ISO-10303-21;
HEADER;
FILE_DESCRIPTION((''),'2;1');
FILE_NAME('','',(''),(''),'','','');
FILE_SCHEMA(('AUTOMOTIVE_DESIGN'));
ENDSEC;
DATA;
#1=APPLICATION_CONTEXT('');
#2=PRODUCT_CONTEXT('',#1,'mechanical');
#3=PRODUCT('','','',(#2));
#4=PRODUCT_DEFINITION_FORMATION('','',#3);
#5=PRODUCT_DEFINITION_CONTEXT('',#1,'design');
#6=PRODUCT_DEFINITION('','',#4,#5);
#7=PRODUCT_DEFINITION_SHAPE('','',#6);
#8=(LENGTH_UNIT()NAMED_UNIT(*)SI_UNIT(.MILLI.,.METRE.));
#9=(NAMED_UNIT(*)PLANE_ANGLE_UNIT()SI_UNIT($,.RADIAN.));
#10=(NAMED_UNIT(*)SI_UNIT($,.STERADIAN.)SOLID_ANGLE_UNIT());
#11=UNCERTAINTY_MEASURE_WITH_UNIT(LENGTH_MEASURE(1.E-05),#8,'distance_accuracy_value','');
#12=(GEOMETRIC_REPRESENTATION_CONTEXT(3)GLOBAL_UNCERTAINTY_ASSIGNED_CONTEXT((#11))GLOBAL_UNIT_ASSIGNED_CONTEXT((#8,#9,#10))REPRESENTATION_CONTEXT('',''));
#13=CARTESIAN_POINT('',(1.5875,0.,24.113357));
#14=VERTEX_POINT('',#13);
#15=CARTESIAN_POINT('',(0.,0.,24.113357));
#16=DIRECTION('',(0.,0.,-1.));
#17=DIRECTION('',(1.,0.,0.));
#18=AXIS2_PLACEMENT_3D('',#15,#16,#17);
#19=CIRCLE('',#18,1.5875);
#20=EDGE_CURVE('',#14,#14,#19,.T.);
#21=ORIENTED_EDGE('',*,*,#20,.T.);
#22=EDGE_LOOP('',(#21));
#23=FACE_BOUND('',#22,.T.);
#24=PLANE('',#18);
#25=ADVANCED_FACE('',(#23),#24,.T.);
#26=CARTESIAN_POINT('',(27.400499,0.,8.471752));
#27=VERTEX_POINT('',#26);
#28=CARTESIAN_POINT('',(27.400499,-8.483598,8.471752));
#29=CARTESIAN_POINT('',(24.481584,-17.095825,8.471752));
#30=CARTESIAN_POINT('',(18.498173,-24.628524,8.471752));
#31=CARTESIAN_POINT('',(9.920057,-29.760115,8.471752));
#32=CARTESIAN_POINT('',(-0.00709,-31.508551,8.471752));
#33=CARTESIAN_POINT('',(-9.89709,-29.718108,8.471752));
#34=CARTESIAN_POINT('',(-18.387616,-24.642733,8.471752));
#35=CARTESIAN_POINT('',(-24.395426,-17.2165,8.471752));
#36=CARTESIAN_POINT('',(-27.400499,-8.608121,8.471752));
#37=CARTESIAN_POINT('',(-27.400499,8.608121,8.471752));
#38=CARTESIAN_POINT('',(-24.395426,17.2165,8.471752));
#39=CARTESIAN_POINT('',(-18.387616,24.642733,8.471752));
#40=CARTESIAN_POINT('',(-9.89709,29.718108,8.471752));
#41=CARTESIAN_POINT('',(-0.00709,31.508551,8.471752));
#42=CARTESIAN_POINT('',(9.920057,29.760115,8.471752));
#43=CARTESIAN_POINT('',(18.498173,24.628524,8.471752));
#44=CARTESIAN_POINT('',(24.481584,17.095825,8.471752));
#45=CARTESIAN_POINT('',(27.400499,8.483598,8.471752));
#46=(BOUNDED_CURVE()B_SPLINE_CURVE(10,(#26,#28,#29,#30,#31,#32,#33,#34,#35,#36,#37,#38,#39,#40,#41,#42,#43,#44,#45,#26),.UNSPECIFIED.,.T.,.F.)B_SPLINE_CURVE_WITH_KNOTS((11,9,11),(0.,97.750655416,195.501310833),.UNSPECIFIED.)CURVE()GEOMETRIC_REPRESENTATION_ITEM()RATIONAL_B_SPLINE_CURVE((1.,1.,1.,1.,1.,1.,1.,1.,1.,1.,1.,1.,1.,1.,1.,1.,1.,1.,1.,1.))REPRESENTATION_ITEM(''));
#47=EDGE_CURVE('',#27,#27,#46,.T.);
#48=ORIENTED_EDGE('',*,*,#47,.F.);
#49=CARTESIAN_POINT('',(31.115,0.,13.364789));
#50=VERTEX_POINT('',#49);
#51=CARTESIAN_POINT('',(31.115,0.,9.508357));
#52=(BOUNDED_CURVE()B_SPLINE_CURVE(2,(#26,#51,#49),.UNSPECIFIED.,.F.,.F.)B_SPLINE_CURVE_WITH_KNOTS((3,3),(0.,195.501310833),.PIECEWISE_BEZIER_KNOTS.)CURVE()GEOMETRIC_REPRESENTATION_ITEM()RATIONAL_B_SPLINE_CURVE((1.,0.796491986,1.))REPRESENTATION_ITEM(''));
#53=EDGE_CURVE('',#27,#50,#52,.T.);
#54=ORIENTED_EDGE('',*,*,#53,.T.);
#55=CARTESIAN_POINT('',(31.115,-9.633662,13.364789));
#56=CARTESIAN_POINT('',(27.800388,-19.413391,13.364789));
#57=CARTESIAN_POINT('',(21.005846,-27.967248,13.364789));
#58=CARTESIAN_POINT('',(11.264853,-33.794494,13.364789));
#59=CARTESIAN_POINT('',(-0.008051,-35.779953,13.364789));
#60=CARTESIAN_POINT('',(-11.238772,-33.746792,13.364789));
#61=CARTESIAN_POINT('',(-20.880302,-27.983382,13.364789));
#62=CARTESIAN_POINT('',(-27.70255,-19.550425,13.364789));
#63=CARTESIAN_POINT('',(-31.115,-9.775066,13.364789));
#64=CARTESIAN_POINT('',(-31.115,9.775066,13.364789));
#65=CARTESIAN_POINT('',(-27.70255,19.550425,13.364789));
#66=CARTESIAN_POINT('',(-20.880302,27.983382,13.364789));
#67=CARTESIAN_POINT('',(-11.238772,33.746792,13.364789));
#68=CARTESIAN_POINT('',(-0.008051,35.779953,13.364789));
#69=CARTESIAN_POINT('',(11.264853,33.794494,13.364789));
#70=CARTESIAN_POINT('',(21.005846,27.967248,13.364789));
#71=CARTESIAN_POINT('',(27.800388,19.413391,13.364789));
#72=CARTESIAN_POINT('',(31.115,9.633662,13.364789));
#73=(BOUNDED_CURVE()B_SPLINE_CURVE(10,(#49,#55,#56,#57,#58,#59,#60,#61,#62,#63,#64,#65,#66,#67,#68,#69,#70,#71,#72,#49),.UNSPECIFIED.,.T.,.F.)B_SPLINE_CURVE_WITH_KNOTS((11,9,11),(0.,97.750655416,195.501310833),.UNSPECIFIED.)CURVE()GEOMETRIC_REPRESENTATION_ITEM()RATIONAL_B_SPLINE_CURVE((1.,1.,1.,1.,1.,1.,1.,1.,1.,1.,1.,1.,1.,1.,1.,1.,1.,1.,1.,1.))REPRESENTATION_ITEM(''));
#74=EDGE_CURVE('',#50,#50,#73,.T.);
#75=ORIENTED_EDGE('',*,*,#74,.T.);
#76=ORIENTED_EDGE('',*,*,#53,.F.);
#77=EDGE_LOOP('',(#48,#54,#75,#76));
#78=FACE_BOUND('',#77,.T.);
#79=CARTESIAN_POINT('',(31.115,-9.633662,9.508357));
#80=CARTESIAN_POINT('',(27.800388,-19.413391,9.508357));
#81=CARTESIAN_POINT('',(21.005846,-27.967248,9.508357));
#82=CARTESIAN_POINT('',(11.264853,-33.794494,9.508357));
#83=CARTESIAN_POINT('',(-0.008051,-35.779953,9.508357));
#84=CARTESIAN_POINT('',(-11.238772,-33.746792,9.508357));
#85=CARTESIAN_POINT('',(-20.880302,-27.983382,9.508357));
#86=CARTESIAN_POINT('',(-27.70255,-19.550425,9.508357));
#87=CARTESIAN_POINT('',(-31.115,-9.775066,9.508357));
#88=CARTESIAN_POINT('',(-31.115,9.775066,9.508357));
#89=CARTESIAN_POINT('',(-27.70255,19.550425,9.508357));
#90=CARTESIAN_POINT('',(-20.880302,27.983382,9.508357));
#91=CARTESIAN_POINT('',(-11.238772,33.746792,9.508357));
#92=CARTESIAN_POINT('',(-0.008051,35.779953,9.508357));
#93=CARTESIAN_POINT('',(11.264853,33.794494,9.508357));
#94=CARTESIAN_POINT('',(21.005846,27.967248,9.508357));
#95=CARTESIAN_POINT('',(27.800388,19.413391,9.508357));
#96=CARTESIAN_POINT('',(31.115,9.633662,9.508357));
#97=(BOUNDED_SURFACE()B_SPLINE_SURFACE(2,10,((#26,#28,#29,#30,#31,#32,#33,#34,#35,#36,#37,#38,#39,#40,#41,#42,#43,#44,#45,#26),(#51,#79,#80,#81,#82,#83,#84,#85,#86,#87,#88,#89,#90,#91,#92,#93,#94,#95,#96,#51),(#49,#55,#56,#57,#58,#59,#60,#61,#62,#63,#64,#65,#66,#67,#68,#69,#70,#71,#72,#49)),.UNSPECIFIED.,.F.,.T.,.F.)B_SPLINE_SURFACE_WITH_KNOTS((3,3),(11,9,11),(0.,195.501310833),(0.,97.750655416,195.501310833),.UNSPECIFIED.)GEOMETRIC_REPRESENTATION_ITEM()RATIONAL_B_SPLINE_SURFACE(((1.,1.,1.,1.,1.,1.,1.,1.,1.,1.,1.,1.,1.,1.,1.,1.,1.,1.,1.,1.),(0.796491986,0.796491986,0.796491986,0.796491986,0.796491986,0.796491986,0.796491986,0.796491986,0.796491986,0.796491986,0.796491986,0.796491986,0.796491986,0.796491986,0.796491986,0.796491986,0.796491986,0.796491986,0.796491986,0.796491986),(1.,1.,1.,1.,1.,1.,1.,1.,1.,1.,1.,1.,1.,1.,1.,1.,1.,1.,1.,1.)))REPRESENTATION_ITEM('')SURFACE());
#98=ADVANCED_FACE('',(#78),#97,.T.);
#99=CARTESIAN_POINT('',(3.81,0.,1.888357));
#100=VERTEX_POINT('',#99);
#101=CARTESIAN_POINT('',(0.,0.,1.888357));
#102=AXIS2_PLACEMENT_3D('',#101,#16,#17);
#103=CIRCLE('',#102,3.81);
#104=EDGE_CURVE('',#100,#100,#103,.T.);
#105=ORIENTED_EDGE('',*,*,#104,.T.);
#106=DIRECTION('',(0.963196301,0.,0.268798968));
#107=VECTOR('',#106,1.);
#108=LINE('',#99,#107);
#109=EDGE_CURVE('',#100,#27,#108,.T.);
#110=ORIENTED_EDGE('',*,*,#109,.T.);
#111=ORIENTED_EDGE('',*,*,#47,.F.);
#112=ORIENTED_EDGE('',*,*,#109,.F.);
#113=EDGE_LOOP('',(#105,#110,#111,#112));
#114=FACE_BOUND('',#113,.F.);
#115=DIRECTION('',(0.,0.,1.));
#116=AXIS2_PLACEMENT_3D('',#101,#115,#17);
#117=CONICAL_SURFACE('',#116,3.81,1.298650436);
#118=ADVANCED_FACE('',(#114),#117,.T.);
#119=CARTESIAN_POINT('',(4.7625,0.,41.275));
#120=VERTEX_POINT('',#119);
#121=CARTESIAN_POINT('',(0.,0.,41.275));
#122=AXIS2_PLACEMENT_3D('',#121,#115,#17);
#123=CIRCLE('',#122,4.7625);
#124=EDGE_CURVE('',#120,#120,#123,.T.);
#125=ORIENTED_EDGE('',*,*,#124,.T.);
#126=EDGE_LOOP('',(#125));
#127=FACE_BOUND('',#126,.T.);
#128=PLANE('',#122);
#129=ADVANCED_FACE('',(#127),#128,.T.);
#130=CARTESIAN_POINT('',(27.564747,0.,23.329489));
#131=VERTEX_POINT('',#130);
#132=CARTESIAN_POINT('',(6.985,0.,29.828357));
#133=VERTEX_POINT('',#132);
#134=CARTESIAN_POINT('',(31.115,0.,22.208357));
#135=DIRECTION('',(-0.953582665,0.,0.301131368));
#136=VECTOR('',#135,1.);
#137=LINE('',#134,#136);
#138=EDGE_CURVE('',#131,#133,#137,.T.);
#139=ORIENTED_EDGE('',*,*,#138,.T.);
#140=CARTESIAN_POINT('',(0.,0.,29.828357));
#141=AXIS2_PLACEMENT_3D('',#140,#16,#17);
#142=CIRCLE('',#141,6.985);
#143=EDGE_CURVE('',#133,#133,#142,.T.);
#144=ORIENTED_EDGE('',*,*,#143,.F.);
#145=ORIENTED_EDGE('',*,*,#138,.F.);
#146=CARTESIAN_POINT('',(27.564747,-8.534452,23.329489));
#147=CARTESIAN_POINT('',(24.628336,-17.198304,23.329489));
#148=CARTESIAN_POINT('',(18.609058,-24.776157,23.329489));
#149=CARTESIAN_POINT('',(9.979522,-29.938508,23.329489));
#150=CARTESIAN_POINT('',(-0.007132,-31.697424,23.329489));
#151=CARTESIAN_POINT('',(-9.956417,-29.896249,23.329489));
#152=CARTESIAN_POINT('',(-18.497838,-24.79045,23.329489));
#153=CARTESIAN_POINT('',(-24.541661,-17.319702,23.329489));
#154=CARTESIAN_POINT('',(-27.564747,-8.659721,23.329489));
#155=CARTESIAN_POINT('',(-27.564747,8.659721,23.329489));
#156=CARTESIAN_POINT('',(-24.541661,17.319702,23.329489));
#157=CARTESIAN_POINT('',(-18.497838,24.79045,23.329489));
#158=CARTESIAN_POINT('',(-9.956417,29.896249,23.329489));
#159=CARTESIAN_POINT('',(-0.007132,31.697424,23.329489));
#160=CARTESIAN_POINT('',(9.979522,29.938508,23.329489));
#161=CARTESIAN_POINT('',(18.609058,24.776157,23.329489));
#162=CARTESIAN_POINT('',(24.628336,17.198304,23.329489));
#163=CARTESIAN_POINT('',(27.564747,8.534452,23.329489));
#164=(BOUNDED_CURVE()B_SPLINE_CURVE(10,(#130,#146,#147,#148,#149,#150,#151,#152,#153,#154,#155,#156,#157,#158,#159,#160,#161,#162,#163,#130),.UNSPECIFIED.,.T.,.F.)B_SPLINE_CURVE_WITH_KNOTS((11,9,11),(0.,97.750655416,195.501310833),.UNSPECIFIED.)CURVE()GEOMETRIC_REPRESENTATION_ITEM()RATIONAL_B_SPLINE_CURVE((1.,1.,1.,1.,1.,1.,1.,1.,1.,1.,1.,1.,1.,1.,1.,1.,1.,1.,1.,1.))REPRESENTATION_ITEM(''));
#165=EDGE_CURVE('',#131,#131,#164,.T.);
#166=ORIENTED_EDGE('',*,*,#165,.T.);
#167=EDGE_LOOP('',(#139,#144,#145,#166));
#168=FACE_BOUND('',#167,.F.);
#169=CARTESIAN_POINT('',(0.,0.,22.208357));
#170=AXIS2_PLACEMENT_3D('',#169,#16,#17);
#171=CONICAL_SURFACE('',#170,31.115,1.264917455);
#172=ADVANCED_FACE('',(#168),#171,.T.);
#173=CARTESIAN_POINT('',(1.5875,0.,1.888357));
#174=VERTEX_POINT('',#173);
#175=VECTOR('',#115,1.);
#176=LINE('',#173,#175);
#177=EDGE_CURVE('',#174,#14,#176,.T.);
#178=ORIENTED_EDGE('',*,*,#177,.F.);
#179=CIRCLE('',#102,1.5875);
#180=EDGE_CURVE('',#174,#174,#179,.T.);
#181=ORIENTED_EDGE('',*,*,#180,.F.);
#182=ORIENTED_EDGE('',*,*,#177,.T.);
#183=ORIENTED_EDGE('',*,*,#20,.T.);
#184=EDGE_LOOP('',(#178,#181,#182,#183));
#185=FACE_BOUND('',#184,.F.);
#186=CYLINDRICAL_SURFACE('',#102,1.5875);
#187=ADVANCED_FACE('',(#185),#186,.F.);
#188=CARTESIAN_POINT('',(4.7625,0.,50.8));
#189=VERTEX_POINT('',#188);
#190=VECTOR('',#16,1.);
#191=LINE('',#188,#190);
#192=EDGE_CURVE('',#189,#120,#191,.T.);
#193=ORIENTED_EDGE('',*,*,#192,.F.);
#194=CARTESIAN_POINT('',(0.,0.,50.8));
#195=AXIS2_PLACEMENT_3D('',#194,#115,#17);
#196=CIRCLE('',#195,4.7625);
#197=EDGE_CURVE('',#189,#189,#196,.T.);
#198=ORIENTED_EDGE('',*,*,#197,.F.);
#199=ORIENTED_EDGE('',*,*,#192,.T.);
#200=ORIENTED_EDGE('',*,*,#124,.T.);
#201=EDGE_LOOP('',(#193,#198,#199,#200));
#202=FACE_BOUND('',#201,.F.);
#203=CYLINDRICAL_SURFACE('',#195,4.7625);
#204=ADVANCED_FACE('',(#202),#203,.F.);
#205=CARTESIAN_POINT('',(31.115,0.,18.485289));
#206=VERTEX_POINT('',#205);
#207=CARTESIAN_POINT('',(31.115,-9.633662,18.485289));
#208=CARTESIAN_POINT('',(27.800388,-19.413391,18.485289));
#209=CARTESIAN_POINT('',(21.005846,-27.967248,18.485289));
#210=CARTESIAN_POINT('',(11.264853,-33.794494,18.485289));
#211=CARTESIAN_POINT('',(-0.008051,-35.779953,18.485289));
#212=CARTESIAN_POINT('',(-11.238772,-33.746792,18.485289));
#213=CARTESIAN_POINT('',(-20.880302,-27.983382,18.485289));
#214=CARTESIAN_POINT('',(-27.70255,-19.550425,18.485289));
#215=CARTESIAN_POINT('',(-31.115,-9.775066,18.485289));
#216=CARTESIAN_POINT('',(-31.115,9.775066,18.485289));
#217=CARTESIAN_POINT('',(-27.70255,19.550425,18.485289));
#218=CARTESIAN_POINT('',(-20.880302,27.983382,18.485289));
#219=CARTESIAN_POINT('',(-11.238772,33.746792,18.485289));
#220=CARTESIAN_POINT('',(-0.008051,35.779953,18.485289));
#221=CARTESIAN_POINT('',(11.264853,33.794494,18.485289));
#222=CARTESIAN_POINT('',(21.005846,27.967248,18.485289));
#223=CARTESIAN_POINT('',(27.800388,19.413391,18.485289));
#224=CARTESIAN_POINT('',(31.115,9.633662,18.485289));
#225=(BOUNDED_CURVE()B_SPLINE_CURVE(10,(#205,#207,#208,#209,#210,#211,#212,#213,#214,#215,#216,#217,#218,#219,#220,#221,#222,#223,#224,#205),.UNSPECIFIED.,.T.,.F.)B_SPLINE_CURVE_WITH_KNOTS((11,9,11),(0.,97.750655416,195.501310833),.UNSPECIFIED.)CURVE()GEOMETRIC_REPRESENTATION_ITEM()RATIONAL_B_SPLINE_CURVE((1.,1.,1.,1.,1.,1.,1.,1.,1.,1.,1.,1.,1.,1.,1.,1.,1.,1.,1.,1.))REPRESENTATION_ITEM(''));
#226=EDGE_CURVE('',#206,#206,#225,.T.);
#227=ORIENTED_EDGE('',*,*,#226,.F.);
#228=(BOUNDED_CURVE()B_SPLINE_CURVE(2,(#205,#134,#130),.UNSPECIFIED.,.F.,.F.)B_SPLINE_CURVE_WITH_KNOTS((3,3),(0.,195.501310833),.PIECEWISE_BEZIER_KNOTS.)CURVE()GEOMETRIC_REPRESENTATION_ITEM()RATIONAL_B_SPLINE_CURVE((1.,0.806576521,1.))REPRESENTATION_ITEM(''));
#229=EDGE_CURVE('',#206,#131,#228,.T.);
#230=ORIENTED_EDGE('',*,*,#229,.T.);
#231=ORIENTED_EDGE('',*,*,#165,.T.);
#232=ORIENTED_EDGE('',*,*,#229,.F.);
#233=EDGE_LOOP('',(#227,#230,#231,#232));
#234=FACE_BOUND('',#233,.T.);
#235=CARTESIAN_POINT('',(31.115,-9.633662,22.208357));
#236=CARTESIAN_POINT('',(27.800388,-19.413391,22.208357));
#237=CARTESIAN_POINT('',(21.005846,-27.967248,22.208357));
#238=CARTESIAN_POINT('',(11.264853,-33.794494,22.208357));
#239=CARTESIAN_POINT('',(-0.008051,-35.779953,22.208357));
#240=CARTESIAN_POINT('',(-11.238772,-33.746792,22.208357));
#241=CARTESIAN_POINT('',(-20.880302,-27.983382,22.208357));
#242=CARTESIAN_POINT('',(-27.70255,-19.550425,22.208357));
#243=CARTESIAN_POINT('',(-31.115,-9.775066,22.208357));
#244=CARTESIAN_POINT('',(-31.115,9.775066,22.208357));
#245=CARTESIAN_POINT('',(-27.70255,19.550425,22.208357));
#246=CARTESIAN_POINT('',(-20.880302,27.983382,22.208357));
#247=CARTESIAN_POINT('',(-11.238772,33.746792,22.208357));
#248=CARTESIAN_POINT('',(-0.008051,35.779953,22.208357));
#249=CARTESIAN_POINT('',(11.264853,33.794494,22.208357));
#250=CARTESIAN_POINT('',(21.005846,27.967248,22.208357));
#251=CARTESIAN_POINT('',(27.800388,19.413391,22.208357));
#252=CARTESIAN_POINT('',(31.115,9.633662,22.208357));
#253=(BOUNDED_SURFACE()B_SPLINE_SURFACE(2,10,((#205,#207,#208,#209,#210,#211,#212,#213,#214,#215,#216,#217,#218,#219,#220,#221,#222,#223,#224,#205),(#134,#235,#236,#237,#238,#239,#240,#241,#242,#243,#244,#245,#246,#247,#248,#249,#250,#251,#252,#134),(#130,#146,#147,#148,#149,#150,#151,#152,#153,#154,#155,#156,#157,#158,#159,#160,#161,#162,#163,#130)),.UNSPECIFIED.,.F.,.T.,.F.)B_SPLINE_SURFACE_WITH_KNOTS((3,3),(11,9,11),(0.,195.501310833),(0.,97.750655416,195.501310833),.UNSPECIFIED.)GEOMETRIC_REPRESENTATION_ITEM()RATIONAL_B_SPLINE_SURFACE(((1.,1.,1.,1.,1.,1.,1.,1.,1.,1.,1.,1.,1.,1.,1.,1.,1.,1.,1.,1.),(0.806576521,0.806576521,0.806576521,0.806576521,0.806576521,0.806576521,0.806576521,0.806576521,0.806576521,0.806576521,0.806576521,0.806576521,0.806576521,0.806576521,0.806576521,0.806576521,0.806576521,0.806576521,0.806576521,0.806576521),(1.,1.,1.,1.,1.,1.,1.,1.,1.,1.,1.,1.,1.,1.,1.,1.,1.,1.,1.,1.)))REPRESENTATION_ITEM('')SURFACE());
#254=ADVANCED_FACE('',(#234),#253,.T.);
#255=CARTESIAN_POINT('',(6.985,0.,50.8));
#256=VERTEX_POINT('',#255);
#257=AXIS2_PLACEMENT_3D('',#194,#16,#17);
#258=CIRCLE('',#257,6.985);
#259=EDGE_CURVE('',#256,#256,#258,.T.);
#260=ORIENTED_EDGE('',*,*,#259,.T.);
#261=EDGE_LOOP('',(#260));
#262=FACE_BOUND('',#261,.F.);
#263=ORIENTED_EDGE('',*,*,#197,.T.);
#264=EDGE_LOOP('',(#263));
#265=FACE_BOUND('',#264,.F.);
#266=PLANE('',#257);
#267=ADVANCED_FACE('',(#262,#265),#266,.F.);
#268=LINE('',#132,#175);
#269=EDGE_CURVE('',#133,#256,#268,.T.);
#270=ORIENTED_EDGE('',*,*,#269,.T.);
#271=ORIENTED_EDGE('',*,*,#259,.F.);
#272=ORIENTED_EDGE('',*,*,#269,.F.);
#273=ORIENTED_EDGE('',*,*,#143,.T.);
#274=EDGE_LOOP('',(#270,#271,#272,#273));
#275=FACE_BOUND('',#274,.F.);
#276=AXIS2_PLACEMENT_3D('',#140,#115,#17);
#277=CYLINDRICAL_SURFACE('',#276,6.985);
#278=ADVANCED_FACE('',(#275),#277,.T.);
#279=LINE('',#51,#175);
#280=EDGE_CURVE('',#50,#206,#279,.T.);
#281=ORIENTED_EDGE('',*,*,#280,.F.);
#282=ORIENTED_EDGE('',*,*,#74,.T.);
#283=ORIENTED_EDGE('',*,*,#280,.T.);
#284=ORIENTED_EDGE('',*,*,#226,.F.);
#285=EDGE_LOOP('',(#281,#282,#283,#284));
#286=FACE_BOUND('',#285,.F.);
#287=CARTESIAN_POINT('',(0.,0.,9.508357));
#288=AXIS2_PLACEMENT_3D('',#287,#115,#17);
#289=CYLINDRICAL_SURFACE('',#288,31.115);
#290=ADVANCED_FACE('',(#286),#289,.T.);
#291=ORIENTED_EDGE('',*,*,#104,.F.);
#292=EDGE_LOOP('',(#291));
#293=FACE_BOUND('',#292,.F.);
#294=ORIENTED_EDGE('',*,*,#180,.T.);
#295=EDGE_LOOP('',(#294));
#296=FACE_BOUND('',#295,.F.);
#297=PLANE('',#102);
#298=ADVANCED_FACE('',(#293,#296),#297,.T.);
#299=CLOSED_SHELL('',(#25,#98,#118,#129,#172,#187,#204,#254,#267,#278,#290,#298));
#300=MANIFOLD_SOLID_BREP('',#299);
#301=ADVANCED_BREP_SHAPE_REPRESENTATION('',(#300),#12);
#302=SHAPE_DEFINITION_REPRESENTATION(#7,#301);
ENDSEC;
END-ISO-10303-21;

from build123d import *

# Parameters (mm, degrees)
F2_R     = 4.7625
F3_DEPTH = 9.525
F4_R     = 1.5875
F5_DEPTH = 22.225
F6_R     = 5.08


with BuildPart() as f1:
    # F0 (on Front) → F1 (revolve)
    with BuildSketch(Plane.XZ):
        Polygon((3.81, 1.888357), (31.115, 9.508357), (31.115, 22.208357), (6.985, 29.828357), (6.985, 50.8), (0, 50.8), (0, 1.888357), align=None)
    revolve(axis=Axis((0, 0, 26.344178), (0, 0, -1)))

    # F2 (on face) → F3 (cut)
    with BuildSketch(Plane.XY.offset(50.8)):
        Circle(F2_R)
    extrude(amount=-F3_DEPTH, mode=Mode.SUBTRACT)

    # F4 (on face) → F5 (cut)
    with BuildSketch(Plane(origin=(0, 0, 1.888357), x_dir=(1, 0, 0), z_dir=(0, 0, -1))):
        Circle(F4_R)
    extrude(amount=-F5_DEPTH, mode=Mode.SUBTRACT)

    # F6
    f6_edges = [f1.edges().sort_by_distance(p)[0] for p in [
        (-31.115, 0, 9.508357),
        (-31.115, 0, 22.208357),
        (31.115, 0, 15.858357),
    ]]
    fillet(f6_edges, radius=F6_R)


solid = f1.part
